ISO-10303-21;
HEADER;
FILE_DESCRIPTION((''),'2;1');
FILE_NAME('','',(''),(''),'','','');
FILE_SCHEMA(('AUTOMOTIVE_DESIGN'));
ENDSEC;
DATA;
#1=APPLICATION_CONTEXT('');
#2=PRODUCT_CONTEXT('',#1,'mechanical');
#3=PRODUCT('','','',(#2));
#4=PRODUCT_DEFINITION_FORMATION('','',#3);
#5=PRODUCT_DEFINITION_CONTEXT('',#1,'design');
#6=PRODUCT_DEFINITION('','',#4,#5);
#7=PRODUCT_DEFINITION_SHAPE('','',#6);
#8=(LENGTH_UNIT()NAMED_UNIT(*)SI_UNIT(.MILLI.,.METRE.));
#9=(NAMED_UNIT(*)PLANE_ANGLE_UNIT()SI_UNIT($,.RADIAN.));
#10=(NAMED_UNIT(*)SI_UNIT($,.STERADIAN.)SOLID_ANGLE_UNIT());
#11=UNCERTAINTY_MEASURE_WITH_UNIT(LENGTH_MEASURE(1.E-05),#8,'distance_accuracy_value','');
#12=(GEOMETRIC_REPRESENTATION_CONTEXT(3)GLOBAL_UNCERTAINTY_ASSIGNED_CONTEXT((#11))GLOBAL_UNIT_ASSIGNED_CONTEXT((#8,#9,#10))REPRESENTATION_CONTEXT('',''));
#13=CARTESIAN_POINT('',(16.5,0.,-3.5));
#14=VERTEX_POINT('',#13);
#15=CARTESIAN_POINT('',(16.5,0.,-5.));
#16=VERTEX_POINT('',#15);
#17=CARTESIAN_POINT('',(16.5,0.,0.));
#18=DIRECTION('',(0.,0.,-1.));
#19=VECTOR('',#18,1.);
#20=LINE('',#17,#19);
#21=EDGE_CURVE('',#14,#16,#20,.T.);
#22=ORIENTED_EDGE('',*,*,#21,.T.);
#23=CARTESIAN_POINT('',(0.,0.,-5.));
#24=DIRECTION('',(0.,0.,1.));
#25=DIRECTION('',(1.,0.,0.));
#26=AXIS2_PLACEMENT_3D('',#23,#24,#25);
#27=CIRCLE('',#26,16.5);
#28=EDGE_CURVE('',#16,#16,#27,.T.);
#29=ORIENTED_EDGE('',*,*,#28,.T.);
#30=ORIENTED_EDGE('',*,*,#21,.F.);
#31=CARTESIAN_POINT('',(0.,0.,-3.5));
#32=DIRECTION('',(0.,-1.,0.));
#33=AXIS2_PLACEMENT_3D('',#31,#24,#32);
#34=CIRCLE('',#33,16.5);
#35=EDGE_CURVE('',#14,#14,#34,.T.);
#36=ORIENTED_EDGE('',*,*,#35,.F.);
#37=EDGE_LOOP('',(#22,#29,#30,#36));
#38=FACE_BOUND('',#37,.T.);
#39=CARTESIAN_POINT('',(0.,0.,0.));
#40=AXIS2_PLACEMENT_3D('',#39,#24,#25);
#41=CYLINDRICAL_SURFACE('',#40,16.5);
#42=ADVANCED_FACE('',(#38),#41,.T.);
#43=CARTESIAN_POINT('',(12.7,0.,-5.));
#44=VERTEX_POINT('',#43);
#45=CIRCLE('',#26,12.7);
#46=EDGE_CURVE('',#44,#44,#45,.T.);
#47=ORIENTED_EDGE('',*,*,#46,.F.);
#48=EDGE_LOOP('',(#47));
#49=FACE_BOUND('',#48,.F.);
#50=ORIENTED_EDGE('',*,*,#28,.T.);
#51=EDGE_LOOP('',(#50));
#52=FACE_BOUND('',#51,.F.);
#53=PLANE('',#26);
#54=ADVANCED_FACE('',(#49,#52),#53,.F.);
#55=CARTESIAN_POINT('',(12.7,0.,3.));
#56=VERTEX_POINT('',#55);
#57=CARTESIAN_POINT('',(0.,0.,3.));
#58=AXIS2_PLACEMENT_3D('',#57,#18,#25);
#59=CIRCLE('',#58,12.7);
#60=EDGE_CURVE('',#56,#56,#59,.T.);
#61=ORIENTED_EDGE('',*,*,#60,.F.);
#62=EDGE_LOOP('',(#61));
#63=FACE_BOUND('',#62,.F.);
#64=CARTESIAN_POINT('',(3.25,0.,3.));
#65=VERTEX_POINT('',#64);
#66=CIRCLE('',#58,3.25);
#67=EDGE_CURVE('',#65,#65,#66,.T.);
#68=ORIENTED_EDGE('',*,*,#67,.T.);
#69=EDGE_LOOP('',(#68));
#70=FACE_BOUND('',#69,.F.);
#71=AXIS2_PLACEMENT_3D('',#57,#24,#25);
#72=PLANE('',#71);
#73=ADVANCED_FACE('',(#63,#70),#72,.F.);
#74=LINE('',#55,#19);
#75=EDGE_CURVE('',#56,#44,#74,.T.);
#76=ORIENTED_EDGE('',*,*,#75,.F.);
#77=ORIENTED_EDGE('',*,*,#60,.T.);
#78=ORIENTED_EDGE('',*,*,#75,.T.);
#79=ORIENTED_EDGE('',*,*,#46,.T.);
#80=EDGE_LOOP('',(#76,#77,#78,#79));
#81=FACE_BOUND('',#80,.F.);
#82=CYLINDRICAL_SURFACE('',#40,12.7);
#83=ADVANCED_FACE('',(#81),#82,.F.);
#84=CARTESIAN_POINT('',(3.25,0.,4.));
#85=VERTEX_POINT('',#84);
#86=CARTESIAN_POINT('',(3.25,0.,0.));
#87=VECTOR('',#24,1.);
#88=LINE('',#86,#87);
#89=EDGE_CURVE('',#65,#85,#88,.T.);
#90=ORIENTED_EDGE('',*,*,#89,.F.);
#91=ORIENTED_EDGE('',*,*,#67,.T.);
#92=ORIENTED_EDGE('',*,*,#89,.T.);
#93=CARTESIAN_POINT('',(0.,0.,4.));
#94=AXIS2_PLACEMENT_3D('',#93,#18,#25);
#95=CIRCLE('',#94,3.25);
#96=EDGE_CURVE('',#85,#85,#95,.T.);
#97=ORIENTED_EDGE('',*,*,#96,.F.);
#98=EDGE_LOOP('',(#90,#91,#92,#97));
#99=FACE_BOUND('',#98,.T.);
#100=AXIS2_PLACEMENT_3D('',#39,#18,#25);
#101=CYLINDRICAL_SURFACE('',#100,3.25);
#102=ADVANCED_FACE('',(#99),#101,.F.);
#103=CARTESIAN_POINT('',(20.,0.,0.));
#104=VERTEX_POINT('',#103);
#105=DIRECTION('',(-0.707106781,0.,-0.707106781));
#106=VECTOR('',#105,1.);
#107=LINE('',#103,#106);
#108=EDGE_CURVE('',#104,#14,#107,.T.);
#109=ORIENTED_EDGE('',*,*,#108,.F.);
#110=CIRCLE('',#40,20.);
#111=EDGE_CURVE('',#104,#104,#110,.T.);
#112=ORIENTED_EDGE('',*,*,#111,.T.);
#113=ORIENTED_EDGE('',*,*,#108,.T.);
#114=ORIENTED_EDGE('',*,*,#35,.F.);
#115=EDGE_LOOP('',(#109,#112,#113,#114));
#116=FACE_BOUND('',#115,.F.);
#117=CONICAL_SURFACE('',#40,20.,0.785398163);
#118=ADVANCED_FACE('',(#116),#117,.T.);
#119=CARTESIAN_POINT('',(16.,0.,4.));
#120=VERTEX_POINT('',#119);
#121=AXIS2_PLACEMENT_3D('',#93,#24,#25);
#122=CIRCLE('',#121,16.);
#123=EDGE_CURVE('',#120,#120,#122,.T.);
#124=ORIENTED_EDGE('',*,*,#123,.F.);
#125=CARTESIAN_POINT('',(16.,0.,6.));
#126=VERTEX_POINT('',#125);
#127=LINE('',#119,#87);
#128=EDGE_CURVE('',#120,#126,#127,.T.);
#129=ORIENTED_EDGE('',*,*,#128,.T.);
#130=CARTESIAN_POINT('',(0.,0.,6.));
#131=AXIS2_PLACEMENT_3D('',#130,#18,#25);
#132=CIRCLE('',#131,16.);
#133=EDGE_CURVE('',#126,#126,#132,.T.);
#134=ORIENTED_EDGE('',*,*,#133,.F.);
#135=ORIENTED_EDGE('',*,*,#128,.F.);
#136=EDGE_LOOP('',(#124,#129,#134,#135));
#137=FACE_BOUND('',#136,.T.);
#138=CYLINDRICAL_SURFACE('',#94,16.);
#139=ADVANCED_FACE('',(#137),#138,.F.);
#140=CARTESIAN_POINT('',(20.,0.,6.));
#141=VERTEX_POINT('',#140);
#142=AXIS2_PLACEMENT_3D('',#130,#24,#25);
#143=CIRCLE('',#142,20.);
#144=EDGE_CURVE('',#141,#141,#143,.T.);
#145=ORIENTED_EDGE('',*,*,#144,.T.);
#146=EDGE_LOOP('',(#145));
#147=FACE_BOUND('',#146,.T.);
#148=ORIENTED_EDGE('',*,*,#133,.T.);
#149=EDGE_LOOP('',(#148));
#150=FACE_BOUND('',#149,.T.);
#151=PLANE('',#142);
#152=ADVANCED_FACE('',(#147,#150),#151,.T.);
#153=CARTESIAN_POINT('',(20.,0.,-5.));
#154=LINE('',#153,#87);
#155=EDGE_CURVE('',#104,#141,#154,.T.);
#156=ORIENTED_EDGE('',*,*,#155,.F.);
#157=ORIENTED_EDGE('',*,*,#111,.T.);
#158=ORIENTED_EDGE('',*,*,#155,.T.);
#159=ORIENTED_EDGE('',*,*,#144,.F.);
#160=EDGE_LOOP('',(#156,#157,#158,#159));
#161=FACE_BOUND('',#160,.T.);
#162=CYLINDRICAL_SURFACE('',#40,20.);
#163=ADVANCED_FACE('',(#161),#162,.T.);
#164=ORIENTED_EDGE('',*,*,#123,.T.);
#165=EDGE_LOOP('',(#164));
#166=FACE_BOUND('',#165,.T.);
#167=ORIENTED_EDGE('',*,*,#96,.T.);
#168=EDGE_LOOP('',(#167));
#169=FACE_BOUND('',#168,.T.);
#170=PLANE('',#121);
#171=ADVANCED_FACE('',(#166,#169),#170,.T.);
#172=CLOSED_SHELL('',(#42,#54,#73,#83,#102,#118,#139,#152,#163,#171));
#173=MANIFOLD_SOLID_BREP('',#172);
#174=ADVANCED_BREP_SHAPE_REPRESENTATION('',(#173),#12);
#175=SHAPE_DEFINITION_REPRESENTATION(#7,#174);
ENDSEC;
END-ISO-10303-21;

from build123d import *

# Parameters (mm, degrees)
F0_R          = 12.75
F0_R_2        = 3.25
F1_DEPTH      = 5
F0_R_3        = 20
F2_DEPTH      = 6
F2_DEPTH_BACK = 5
F3_SIZE       = 5
F4_R          = 16
F5_DEPTH      = 3
F6_START      = 4
F6_DEPTH      = 21
F7_R          = 16.5
F7_R_2        = 12.7
F8_DEPTH      = 4
F8_DEPTH_BACK = 5


with BuildPart() as f1:
    # F0 (on Top) → F1 (new body)
    with BuildSketch(Plane.XY):
        Circle(F0_R)
        Circle(F0_R_2, mode=Mode.SUBTRACT)
    extrude(amount=F1_DEPTH)

    # F0 (on Top) → F2 (join, two sides)
    with BuildSketch(Plane.XY) as f2_sk:
        Circle(F0_R_3)
        Circle(F0_R, mode=Mode.SUBTRACT)
    extrude(amount=F2_DEPTH)
    extrude(f2_sk.sketch, amount=-F2_DEPTH_BACK)

    # F3
    f3_edges = [f1.edges().sort_by_distance(p)[0] for p in [
        (-20, 0, -5),
    ]]
    chamfer(f3_edges, length=F3_SIZE)

    # F4 (on Top) → F5 (cut)
    with BuildSketch(Plane.XY):
        Circle(F4_R)
    extrude(amount=F5_DEPTH, mode=Mode.SUBTRACT)

    # F4 (on Top) → F6 (cut)
    with BuildSketch(Plane.XY.offset(F6_START)):
        Circle(F4_R)
    extrude(amount=F6_DEPTH, mode=Mode.SUBTRACT)

    # F7 (on Top) → F8 (join, two sides)
    with BuildSketch(Plane.XY) as f8_sk:
        Circle(F7_R)
        Circle(F7_R_2, mode=Mode.SUBTRACT)
    extrude(amount=F8_DEPTH)
    extrude(f8_sk.sketch, amount=-F8_DEPTH_BACK)


solid = f1.part
